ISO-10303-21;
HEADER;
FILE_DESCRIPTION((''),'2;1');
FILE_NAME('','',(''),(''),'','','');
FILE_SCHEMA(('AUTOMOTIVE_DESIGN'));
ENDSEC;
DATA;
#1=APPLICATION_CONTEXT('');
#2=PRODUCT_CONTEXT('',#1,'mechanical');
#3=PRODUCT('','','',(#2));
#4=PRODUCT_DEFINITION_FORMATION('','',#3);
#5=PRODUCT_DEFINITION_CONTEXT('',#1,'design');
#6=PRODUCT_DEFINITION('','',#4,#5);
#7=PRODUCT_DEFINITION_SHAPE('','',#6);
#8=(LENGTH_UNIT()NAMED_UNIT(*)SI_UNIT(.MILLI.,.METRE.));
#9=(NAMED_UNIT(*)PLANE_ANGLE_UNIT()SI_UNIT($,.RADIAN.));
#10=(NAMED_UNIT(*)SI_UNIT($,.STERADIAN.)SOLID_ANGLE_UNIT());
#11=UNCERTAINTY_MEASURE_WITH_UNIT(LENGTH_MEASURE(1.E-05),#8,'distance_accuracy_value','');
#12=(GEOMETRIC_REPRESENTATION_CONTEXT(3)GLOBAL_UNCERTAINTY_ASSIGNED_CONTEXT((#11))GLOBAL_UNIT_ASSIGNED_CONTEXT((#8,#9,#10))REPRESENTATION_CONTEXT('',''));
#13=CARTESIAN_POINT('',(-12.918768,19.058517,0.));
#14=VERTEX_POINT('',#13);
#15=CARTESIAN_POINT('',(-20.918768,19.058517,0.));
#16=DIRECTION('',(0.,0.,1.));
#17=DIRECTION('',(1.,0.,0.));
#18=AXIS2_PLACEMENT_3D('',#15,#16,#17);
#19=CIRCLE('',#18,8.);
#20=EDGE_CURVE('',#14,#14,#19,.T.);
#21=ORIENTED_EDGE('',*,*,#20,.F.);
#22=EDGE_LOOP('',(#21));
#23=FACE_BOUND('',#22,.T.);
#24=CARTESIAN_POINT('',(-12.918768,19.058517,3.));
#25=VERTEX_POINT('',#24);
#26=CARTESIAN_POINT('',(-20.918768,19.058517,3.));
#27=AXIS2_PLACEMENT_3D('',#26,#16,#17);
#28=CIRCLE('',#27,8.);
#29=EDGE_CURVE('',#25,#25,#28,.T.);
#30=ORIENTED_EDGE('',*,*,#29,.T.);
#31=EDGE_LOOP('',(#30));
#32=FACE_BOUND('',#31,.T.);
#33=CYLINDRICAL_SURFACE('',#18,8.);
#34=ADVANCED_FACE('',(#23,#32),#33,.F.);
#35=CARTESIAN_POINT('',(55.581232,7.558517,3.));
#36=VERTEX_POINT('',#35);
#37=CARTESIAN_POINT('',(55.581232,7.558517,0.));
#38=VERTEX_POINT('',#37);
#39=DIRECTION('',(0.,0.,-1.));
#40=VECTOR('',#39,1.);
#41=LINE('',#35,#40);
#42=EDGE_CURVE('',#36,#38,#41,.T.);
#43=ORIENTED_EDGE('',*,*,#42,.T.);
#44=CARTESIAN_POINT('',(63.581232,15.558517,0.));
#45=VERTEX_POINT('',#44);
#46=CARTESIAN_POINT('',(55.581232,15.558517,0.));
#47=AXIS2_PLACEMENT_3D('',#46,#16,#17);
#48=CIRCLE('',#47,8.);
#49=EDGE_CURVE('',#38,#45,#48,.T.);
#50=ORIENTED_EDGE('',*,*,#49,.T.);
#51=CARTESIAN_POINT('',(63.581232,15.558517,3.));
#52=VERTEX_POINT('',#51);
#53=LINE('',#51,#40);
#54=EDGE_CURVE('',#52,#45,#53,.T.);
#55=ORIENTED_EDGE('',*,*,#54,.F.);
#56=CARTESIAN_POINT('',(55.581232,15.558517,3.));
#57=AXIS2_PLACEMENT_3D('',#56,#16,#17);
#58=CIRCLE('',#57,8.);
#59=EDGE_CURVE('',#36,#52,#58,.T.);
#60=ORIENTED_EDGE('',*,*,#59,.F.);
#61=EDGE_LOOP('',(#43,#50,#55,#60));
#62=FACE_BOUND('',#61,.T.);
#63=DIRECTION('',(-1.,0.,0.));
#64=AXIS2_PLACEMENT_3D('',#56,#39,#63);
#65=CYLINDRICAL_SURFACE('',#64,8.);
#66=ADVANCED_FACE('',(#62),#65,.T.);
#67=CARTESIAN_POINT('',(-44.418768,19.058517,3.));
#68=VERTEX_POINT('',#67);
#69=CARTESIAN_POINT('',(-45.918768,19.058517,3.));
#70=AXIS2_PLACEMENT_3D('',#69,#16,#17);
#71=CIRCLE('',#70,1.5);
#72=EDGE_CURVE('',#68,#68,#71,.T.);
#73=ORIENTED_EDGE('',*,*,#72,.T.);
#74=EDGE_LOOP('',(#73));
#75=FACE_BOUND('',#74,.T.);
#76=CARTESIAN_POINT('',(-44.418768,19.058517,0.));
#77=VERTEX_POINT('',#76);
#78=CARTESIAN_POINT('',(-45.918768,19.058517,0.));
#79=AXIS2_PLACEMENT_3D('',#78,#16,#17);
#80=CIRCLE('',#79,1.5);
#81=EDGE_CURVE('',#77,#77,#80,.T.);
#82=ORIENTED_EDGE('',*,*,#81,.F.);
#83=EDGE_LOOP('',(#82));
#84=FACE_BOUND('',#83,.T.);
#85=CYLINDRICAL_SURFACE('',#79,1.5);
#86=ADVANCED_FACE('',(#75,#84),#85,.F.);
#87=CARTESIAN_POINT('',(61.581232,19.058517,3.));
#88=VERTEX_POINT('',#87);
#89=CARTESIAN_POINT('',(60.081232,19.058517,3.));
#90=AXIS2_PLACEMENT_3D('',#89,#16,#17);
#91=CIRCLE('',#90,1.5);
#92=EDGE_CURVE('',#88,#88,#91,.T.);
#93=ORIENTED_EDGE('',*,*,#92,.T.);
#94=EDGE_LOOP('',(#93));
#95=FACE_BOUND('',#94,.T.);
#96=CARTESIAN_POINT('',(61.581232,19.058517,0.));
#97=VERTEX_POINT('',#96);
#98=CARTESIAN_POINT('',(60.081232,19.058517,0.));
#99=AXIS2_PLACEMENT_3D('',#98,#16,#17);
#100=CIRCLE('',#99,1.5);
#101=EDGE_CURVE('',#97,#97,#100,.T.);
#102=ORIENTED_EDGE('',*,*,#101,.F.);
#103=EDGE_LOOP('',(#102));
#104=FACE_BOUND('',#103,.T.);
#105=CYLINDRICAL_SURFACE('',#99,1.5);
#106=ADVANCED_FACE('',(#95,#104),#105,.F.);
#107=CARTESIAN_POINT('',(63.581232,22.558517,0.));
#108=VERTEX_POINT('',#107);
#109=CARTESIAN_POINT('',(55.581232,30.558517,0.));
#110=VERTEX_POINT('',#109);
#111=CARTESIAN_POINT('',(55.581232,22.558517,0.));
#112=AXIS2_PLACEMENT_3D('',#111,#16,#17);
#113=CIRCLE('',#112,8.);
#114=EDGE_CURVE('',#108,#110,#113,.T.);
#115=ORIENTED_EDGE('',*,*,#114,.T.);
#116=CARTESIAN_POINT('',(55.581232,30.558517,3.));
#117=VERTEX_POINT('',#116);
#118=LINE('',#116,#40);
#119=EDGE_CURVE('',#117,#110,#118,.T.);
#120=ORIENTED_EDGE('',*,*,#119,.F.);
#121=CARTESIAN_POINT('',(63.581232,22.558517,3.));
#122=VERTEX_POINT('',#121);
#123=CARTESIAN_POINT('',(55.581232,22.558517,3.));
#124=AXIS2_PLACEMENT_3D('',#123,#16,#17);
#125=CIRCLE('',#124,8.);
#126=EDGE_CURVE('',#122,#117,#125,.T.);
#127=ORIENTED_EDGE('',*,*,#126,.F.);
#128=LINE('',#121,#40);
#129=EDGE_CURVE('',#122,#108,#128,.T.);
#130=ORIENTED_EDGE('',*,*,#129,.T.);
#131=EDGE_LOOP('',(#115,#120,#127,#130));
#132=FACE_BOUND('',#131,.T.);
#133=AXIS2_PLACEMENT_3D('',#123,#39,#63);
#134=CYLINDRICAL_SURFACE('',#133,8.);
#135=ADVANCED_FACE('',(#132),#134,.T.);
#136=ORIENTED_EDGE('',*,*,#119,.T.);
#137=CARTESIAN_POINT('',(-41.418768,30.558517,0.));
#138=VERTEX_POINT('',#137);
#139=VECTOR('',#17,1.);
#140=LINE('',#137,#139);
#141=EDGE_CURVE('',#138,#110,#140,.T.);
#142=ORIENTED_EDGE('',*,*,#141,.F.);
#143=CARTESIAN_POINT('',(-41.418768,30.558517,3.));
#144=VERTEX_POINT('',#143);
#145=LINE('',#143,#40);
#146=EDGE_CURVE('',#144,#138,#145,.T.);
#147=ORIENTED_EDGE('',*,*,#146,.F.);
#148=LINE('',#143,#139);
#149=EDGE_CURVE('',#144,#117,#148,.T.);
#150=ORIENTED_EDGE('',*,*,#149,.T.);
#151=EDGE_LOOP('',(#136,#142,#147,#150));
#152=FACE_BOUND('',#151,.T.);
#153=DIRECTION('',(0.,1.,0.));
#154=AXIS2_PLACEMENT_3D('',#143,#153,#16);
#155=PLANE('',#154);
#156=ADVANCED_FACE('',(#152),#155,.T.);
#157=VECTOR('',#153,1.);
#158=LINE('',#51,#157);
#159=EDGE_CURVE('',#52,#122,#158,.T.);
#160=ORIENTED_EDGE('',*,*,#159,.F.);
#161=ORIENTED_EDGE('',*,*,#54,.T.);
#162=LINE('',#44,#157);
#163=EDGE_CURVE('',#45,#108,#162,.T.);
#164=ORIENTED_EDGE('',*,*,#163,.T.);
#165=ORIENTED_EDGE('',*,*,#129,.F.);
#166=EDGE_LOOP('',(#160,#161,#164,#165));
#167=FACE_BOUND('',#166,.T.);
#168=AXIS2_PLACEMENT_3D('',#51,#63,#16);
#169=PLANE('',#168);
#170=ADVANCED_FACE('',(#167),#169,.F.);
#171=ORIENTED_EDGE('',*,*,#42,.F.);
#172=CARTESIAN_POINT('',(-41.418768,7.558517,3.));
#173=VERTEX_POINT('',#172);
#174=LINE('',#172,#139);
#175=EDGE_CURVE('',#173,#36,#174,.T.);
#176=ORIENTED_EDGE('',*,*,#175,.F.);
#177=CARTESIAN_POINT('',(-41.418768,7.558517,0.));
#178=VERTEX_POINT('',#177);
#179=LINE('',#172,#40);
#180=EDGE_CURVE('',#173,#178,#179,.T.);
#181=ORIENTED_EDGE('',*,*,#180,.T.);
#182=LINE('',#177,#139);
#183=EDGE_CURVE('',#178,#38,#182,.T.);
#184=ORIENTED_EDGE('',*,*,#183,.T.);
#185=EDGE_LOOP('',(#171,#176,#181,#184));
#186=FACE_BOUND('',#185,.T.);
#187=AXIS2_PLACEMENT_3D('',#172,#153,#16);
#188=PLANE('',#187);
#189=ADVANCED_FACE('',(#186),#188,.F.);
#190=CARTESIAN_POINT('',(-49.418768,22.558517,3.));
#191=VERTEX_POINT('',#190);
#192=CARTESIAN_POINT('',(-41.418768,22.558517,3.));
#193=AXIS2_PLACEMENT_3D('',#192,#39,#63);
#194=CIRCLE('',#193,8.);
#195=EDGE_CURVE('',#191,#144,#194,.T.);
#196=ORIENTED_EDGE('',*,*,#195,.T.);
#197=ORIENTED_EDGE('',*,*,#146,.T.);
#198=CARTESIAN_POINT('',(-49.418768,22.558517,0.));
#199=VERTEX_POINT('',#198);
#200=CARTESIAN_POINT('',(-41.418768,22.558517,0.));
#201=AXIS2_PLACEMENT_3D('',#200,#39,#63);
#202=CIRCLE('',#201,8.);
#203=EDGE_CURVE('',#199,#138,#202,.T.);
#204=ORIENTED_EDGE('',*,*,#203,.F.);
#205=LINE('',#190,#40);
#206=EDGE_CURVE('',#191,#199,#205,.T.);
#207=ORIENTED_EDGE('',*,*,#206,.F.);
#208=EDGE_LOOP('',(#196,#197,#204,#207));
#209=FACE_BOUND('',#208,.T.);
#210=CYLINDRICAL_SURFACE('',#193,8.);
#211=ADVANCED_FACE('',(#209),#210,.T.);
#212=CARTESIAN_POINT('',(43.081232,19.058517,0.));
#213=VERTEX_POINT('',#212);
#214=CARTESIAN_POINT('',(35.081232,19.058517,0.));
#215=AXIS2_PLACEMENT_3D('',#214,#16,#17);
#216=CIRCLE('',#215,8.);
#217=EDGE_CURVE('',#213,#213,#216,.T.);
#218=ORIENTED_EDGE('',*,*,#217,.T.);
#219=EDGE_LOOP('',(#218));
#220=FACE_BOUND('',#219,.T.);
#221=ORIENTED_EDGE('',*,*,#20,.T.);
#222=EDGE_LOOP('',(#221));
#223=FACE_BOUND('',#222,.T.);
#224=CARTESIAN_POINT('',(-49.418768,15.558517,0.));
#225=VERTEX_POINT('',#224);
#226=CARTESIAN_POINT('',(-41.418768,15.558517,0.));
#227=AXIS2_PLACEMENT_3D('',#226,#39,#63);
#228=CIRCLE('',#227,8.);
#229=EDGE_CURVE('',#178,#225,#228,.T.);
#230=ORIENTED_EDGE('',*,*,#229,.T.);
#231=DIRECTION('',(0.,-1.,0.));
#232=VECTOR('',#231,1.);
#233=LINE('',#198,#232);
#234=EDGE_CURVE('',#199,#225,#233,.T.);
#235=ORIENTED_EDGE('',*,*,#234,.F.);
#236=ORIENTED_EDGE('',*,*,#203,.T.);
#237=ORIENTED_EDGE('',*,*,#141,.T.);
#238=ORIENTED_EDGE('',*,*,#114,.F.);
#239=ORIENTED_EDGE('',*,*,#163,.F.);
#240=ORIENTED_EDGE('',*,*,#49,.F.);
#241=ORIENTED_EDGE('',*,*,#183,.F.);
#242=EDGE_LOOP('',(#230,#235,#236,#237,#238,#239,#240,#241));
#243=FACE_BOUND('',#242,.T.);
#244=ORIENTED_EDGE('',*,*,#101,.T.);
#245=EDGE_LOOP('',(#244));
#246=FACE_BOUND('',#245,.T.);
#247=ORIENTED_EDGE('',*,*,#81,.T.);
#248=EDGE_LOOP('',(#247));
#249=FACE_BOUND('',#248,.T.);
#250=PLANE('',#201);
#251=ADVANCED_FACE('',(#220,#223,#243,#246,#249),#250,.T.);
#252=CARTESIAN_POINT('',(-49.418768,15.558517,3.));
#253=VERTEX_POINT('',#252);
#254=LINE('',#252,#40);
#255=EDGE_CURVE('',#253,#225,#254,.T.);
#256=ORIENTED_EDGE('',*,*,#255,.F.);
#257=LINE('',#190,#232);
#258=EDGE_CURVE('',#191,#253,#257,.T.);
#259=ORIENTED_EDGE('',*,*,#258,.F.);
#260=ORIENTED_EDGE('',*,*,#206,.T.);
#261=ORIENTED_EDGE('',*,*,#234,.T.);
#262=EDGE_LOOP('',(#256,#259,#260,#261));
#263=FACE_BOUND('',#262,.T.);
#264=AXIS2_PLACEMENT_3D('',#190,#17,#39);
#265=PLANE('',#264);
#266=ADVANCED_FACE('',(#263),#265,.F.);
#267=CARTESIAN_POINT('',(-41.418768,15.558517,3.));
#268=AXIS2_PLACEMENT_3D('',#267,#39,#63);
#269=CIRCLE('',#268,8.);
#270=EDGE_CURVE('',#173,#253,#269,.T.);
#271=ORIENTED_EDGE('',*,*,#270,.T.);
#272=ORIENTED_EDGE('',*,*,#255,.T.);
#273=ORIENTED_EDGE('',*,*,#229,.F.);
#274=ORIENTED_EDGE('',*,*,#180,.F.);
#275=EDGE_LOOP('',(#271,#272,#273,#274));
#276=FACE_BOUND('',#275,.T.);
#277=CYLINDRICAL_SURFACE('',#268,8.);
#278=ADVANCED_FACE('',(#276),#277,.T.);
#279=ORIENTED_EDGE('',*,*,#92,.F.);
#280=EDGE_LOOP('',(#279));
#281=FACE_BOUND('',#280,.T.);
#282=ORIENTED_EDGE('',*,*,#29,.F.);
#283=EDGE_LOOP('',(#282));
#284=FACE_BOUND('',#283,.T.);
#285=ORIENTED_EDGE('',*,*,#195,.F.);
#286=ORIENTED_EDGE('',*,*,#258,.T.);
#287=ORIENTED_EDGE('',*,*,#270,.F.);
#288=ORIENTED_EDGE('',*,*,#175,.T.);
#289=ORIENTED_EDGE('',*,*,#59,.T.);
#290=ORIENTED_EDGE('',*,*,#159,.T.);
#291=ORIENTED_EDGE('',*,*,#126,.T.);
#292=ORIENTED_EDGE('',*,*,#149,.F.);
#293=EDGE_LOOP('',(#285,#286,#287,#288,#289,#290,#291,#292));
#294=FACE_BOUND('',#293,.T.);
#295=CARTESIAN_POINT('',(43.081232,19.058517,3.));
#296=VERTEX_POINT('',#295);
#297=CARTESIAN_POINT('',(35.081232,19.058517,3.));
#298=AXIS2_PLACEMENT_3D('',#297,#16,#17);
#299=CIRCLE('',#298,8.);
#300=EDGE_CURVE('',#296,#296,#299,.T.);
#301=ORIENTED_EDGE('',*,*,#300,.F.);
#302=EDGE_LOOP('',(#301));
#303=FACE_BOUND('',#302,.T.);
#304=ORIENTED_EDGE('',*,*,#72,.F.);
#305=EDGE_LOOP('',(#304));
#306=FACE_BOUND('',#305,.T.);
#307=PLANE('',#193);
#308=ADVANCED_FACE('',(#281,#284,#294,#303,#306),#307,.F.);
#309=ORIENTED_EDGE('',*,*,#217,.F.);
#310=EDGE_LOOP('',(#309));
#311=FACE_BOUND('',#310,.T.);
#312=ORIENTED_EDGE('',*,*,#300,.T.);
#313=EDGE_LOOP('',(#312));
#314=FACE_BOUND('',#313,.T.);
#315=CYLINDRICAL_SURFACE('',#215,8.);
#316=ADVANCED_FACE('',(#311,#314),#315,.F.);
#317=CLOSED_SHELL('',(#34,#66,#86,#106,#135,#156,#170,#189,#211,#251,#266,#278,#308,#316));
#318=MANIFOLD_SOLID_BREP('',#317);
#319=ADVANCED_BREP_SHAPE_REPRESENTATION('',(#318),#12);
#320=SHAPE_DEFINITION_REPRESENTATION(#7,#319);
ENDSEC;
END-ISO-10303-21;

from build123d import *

# Parameters (mm, degrees)
EXTRUDE_2_DEPTH     = 3
SKETCH_5_R          = 1.5
SKETCH_5_R_2        = 8
CUT_EXTRUDE_1_DEPTH = 3


with BuildPart() as part:
    # 草图1 → 凸台-拉伸2 (new body)
    with BuildSketch(Plane.XY):
        with BuildLine():
            Line((-41.418768197, 30.558517452), (55.581231803, 30.558517452))
            ThreePointArc((55.581231803, 30.558517452), (61.238086052, 28.215371701), (63.581231803, 22.558517452))
            Line((63.581231803, 22.558517452), (63.581231803, 15.558517452))
            ThreePointArc((63.581231803, 15.558517452), (61.238086052, 9.901663202), (55.581231803, 7.558517452))
            Line((55.581231803, 7.558517452), (-41.418768197, 7.558517452))
            ThreePointArc((-41.418768197, 7.558517452), (-47.075622447, 9.901663202), (-49.418768197, 15.558517452))
            Line((-49.418768197, 15.558517452), (-49.418768197, 22.558517452))
            ThreePointArc((-49.418768197, 22.558517452), (-47.075622447, 28.215371701), (-41.418768197, 30.558517452))
        make_face()
    extrude(amount=EXTRUDE_2_DEPTH)

    # 草图5 → 切除-拉伸1 (cut)
    with BuildSketch(Plane.XY.offset(3)):
        with Locations((-45.918768197, 19.058517452)):
            Circle(SKETCH_5_R)
        with Locations((60.081231803, 19.058517452)):
            Circle(SKETCH_5_R)
        with Locations((-20.918768197, 19.058517452)):
            Circle(SKETCH_5_R_2)
        with Locations((35.081231803, 19.058517452)):
            Circle(SKETCH_5_R_2)
    extrude(amount=-CUT_EXTRUDE_1_DEPTH, mode=Mode.SUBTRACT)


solid = part.part
